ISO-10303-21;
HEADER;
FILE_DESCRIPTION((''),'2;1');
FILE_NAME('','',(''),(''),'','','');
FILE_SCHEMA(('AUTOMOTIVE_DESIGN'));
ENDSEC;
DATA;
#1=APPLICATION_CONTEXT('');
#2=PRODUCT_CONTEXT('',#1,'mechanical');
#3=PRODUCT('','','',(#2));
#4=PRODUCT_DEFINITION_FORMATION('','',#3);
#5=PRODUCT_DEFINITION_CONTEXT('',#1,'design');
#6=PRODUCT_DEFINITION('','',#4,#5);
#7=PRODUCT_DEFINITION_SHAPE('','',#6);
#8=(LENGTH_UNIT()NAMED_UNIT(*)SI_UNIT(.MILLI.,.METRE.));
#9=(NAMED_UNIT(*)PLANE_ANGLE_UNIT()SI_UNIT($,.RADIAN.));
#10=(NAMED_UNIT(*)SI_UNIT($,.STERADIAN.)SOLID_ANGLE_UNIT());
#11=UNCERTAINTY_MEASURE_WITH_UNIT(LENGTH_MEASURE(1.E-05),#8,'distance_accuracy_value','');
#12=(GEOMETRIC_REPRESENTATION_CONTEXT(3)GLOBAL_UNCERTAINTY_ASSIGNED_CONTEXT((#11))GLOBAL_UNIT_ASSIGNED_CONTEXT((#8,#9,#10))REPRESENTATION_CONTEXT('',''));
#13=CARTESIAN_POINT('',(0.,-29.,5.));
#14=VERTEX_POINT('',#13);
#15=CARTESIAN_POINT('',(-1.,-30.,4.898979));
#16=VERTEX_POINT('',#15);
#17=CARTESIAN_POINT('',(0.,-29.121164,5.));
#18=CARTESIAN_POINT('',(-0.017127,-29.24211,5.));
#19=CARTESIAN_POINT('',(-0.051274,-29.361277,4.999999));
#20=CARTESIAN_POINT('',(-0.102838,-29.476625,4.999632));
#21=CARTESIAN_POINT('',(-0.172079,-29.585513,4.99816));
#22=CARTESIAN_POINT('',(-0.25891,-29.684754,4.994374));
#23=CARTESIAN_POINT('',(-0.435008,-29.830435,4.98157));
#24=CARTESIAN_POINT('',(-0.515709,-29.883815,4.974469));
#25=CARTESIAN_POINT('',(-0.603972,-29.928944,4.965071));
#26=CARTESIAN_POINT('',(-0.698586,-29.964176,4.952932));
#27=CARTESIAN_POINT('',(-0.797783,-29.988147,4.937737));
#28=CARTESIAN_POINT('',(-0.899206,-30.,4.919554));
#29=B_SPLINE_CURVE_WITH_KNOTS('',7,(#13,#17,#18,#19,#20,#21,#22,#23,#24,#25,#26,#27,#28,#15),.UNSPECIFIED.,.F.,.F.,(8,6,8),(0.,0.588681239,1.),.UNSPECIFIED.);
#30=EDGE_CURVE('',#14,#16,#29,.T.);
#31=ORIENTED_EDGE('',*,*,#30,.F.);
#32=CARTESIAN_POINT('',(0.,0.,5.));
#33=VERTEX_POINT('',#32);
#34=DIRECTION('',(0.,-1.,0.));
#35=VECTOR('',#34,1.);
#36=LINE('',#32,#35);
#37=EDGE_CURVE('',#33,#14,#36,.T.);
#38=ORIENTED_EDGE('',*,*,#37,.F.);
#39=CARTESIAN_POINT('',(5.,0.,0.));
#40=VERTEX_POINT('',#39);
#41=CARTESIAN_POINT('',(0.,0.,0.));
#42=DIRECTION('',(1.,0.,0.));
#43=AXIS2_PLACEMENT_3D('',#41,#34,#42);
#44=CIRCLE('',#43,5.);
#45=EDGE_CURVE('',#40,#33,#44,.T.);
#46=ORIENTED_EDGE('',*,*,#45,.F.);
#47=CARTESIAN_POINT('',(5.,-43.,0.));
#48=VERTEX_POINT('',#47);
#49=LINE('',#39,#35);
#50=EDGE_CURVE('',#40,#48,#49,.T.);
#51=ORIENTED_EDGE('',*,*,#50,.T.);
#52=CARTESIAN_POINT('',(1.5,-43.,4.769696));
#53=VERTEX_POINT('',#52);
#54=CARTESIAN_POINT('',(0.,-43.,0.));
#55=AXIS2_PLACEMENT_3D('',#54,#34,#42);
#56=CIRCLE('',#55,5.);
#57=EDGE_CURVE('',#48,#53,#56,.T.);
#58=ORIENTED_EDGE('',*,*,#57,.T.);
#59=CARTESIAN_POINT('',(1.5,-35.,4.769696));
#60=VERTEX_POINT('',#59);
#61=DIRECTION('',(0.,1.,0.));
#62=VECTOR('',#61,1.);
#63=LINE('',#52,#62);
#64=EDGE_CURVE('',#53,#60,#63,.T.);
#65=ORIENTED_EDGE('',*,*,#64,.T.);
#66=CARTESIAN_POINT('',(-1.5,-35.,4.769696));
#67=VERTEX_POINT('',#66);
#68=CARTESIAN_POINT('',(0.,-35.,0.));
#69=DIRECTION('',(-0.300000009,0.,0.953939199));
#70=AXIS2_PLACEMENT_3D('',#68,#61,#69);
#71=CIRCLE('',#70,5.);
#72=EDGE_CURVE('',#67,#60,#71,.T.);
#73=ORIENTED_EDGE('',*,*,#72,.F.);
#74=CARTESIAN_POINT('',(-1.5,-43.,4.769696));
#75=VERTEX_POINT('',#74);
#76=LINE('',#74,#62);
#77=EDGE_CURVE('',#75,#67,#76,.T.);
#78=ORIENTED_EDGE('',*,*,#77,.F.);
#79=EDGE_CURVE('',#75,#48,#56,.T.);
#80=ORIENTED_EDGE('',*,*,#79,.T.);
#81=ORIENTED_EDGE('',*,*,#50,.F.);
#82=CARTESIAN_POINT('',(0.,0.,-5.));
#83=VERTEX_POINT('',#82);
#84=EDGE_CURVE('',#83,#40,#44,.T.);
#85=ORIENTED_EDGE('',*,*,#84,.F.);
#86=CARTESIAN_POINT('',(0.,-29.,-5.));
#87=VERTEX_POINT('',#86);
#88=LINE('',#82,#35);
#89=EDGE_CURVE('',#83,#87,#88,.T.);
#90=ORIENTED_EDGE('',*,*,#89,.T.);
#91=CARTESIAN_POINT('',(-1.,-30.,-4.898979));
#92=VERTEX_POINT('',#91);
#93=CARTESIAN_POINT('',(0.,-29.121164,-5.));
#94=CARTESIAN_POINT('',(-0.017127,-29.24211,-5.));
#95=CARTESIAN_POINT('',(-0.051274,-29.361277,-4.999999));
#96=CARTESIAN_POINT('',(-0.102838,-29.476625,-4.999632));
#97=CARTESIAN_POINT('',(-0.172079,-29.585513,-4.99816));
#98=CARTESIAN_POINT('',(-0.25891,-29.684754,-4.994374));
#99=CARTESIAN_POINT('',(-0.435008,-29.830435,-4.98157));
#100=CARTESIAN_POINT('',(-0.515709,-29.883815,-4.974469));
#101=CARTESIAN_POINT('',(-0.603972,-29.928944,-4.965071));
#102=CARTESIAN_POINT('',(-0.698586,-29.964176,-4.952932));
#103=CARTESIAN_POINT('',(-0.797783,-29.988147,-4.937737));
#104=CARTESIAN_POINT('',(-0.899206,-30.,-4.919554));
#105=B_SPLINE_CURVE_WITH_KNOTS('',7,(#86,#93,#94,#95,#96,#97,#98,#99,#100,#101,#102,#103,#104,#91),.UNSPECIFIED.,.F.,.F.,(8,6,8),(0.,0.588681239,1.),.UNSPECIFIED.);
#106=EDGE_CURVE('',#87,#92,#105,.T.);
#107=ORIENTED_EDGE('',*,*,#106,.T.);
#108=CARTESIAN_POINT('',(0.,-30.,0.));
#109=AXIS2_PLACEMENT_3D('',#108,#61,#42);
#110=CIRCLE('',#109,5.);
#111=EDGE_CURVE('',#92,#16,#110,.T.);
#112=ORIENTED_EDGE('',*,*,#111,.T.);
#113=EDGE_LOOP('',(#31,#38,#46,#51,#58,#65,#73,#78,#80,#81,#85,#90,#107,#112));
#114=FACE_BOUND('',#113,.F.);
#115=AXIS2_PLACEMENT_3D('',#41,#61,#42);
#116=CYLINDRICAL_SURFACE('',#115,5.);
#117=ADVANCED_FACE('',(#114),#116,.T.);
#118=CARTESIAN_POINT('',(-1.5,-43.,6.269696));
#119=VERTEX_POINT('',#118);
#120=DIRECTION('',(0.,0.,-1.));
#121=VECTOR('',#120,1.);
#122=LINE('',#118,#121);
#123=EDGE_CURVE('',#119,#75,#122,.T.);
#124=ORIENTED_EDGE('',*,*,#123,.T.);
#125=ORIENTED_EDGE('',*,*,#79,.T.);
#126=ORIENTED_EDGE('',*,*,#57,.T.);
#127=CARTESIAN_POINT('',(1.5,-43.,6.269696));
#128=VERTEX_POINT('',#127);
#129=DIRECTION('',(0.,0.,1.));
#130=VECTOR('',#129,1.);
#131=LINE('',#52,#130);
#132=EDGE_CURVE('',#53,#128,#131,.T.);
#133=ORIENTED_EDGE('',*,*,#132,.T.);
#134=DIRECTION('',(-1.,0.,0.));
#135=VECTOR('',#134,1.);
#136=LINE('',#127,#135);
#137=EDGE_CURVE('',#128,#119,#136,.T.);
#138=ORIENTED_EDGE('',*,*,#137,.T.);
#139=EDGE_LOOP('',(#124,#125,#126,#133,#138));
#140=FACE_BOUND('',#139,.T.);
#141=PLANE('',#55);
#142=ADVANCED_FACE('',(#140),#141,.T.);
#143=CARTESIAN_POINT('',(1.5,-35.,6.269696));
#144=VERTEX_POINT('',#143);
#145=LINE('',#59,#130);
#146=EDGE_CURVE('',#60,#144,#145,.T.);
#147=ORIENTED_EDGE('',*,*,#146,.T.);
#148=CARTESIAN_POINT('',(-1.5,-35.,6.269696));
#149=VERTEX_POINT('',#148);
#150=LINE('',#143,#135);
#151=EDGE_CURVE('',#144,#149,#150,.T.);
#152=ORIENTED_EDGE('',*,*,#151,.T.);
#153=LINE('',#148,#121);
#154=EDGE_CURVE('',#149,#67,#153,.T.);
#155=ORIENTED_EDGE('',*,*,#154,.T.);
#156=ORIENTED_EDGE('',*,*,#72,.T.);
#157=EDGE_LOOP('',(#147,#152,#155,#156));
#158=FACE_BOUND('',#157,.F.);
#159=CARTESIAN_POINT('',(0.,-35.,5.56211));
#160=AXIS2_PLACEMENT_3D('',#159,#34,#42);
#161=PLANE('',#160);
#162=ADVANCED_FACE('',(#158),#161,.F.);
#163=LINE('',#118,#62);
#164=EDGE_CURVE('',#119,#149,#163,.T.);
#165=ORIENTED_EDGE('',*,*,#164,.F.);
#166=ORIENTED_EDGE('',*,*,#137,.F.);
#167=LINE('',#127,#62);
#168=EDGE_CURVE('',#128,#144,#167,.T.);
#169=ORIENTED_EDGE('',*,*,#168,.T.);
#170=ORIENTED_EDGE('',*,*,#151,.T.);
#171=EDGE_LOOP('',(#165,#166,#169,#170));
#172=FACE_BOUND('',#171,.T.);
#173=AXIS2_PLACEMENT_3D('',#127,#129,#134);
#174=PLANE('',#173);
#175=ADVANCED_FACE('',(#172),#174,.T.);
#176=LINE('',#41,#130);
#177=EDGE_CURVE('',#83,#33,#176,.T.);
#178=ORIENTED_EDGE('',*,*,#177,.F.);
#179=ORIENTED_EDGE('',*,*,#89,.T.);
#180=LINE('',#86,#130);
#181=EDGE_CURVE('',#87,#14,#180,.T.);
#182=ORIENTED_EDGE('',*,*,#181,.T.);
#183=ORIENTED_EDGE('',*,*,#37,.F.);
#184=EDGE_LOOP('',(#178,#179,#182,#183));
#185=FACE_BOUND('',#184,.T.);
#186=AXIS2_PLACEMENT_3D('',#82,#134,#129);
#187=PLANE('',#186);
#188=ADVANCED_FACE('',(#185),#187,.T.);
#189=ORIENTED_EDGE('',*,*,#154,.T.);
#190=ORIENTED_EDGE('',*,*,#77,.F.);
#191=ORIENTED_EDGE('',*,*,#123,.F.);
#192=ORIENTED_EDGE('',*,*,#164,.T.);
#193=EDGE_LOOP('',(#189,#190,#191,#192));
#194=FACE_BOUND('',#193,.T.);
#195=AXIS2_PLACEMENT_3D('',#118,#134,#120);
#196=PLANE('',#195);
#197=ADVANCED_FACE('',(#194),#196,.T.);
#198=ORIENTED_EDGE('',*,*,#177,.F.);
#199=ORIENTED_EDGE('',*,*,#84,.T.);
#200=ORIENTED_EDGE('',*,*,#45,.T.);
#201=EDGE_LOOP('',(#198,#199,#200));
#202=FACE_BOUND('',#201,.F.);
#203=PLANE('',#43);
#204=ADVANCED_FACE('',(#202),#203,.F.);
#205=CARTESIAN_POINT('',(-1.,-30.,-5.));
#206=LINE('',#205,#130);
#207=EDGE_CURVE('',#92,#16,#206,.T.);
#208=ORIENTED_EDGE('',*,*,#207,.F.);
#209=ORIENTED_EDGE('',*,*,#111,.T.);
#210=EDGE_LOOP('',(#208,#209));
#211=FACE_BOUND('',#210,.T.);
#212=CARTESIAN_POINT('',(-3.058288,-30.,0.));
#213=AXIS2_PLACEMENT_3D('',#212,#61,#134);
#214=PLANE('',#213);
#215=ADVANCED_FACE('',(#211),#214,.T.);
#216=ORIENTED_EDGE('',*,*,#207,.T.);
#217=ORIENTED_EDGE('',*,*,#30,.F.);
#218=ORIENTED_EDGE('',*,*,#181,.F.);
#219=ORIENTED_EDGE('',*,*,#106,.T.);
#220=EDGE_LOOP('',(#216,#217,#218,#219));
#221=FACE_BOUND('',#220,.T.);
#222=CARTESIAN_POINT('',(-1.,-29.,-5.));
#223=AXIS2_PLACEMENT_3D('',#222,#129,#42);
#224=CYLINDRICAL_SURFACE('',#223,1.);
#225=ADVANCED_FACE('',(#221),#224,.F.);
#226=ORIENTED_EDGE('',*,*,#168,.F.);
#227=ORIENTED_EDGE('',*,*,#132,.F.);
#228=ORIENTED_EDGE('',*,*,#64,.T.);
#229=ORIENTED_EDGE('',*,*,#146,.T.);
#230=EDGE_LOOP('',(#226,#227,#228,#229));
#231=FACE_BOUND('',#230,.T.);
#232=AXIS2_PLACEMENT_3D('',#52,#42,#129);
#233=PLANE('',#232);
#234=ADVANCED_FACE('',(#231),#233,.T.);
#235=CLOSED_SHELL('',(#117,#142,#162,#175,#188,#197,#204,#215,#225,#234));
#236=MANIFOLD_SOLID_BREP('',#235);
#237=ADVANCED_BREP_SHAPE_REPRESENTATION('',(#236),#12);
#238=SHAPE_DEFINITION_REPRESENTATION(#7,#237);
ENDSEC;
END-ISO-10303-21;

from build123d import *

# Parameters (mm, degrees)
F0_R     = 5
F1_DEPTH = 43
F3_DEPTH = 8
F4_W     = 6.116576
F4_H     = 10
F5_DEPTH = 30
F6_R     = 1


with BuildPart() as f1:
    # F0 (on Front) → F1 (new body)
    with BuildSketch(Plane.XZ):
        Circle(F0_R)
    extrude(amount=F1_DEPTH)

    # F2 (on face) → F3 (join)
    with BuildSketch(Plane.XZ.offset(43)):
        with BuildLine():
            Line((-1.5, 6.269696), (-1.5, 4.769696))
            ThreePointArc((-1.5, 4.769696), (0, 5), (1.5, 4.769696))
            Line((1.5, 4.769696), (1.5, 6.269696))
            Line((1.5, 6.269696), (-1.5, 6.269696))
        make_face()
    extrude(amount=-F3_DEPTH)

    # F4 (on face) → F5 (cut)
    with BuildSketch(Plane(origin=(0, 0, 0), x_dir=(-1, 0, 0), z_dir=(0, 1, 0))):
        with Locations((3.058288, 0)):
            Rectangle(F4_W, F4_H)
    extrude(amount=-F5_DEPTH, mode=Mode.SUBTRACT)

    # F6
    f6_edges = [f1.edges().sort_by_distance(p)[0] for p in [
        (0, -30, 0),
    ]]
    fillet(f6_edges, radius=F6_R)


solid = f1.part
